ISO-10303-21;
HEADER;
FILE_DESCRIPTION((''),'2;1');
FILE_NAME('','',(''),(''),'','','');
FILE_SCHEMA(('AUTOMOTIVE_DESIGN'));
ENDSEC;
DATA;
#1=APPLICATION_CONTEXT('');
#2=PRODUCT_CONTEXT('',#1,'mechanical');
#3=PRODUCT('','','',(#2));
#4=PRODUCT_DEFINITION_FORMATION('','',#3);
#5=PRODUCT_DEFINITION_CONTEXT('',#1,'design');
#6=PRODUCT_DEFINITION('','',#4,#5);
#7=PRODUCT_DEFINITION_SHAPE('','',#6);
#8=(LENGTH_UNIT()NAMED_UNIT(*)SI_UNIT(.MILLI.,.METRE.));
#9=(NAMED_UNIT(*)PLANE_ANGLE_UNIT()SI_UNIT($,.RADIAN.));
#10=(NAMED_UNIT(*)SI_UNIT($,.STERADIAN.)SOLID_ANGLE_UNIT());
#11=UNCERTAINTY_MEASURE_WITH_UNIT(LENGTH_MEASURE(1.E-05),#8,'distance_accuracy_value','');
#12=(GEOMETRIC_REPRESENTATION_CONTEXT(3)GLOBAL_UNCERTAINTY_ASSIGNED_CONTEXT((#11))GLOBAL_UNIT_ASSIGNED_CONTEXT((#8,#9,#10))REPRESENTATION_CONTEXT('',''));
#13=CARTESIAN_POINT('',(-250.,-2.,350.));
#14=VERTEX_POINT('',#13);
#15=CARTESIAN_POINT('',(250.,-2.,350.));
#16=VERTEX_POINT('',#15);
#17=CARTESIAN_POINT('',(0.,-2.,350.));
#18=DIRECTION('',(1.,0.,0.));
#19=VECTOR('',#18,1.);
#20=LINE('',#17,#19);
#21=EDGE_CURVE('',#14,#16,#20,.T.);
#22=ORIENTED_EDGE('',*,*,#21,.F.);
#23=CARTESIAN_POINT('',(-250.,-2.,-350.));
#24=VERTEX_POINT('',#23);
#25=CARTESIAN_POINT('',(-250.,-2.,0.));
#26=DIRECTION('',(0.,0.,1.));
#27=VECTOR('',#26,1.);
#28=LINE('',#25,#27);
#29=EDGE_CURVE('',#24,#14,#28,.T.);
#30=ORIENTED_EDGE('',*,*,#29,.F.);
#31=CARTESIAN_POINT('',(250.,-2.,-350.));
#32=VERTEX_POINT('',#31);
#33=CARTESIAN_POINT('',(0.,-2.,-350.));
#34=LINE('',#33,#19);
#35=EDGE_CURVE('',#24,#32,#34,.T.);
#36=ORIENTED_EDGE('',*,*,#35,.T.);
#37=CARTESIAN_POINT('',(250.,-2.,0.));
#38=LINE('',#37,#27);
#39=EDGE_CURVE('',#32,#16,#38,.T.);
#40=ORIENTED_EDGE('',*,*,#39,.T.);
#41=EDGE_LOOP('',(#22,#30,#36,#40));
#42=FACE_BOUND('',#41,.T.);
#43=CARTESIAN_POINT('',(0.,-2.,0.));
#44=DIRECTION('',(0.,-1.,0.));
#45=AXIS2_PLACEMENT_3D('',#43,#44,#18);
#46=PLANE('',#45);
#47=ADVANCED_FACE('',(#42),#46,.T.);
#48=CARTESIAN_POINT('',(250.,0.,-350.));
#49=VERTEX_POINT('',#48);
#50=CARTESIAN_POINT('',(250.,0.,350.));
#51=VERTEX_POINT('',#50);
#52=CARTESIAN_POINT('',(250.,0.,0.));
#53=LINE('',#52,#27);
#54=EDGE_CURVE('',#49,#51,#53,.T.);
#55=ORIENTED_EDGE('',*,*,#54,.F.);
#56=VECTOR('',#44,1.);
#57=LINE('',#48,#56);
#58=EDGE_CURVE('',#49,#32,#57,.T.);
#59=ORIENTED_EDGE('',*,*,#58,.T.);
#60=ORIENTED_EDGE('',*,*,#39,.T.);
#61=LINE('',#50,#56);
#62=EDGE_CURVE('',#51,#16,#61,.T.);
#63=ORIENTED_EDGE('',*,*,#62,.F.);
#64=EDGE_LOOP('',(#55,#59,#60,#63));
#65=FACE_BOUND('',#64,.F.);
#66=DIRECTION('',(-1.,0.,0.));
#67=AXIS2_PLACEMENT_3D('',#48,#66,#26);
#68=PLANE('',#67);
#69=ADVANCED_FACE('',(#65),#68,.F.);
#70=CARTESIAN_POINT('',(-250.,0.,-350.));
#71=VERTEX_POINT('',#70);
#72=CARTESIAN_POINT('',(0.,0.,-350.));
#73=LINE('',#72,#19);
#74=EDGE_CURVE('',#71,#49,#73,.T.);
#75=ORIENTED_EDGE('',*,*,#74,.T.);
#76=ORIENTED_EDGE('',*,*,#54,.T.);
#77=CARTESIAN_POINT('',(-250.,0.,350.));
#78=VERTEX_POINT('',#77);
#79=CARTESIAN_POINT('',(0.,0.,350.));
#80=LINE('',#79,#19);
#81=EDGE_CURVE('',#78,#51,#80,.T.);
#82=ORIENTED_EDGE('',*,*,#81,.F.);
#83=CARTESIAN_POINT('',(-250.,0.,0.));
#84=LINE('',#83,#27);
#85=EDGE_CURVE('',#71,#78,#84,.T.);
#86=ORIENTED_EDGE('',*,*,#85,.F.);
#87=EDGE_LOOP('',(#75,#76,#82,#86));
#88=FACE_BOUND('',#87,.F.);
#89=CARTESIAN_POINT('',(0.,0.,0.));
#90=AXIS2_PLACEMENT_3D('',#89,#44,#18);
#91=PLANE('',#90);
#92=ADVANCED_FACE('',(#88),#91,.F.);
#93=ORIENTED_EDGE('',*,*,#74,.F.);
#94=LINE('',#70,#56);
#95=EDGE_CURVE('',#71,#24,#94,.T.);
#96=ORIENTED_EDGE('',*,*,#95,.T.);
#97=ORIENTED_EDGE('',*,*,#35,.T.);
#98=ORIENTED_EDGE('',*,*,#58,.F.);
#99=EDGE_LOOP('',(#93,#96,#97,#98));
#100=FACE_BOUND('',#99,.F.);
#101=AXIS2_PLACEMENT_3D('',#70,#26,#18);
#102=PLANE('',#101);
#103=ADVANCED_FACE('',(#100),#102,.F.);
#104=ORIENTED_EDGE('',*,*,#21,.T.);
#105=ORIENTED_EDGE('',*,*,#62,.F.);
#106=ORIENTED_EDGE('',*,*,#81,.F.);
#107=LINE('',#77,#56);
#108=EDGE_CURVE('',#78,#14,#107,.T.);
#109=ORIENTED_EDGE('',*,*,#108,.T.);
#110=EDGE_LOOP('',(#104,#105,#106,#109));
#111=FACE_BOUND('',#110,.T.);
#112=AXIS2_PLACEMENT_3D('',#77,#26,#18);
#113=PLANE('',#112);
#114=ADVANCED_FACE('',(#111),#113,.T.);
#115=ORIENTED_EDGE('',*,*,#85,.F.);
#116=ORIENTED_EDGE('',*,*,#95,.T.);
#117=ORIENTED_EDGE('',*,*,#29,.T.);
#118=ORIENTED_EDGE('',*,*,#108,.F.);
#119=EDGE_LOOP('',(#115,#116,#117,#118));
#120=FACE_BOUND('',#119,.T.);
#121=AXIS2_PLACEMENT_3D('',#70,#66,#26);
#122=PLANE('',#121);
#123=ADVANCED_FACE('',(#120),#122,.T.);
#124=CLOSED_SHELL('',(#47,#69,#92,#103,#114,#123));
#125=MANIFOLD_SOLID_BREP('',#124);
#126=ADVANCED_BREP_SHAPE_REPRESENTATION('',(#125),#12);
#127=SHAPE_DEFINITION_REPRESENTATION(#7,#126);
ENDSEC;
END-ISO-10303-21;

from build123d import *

# Parameters (mm, degrees)
F0_W     = 500
F0_H     = 700
F1_DEPTH = 2


with BuildPart() as f1:
    # F0 (on Front) → F1 (new body)
    with BuildSketch(Plane.XZ):
        Rectangle(F0_W, F0_H)
    extrude(amount=F1_DEPTH)


solid = f1.part
